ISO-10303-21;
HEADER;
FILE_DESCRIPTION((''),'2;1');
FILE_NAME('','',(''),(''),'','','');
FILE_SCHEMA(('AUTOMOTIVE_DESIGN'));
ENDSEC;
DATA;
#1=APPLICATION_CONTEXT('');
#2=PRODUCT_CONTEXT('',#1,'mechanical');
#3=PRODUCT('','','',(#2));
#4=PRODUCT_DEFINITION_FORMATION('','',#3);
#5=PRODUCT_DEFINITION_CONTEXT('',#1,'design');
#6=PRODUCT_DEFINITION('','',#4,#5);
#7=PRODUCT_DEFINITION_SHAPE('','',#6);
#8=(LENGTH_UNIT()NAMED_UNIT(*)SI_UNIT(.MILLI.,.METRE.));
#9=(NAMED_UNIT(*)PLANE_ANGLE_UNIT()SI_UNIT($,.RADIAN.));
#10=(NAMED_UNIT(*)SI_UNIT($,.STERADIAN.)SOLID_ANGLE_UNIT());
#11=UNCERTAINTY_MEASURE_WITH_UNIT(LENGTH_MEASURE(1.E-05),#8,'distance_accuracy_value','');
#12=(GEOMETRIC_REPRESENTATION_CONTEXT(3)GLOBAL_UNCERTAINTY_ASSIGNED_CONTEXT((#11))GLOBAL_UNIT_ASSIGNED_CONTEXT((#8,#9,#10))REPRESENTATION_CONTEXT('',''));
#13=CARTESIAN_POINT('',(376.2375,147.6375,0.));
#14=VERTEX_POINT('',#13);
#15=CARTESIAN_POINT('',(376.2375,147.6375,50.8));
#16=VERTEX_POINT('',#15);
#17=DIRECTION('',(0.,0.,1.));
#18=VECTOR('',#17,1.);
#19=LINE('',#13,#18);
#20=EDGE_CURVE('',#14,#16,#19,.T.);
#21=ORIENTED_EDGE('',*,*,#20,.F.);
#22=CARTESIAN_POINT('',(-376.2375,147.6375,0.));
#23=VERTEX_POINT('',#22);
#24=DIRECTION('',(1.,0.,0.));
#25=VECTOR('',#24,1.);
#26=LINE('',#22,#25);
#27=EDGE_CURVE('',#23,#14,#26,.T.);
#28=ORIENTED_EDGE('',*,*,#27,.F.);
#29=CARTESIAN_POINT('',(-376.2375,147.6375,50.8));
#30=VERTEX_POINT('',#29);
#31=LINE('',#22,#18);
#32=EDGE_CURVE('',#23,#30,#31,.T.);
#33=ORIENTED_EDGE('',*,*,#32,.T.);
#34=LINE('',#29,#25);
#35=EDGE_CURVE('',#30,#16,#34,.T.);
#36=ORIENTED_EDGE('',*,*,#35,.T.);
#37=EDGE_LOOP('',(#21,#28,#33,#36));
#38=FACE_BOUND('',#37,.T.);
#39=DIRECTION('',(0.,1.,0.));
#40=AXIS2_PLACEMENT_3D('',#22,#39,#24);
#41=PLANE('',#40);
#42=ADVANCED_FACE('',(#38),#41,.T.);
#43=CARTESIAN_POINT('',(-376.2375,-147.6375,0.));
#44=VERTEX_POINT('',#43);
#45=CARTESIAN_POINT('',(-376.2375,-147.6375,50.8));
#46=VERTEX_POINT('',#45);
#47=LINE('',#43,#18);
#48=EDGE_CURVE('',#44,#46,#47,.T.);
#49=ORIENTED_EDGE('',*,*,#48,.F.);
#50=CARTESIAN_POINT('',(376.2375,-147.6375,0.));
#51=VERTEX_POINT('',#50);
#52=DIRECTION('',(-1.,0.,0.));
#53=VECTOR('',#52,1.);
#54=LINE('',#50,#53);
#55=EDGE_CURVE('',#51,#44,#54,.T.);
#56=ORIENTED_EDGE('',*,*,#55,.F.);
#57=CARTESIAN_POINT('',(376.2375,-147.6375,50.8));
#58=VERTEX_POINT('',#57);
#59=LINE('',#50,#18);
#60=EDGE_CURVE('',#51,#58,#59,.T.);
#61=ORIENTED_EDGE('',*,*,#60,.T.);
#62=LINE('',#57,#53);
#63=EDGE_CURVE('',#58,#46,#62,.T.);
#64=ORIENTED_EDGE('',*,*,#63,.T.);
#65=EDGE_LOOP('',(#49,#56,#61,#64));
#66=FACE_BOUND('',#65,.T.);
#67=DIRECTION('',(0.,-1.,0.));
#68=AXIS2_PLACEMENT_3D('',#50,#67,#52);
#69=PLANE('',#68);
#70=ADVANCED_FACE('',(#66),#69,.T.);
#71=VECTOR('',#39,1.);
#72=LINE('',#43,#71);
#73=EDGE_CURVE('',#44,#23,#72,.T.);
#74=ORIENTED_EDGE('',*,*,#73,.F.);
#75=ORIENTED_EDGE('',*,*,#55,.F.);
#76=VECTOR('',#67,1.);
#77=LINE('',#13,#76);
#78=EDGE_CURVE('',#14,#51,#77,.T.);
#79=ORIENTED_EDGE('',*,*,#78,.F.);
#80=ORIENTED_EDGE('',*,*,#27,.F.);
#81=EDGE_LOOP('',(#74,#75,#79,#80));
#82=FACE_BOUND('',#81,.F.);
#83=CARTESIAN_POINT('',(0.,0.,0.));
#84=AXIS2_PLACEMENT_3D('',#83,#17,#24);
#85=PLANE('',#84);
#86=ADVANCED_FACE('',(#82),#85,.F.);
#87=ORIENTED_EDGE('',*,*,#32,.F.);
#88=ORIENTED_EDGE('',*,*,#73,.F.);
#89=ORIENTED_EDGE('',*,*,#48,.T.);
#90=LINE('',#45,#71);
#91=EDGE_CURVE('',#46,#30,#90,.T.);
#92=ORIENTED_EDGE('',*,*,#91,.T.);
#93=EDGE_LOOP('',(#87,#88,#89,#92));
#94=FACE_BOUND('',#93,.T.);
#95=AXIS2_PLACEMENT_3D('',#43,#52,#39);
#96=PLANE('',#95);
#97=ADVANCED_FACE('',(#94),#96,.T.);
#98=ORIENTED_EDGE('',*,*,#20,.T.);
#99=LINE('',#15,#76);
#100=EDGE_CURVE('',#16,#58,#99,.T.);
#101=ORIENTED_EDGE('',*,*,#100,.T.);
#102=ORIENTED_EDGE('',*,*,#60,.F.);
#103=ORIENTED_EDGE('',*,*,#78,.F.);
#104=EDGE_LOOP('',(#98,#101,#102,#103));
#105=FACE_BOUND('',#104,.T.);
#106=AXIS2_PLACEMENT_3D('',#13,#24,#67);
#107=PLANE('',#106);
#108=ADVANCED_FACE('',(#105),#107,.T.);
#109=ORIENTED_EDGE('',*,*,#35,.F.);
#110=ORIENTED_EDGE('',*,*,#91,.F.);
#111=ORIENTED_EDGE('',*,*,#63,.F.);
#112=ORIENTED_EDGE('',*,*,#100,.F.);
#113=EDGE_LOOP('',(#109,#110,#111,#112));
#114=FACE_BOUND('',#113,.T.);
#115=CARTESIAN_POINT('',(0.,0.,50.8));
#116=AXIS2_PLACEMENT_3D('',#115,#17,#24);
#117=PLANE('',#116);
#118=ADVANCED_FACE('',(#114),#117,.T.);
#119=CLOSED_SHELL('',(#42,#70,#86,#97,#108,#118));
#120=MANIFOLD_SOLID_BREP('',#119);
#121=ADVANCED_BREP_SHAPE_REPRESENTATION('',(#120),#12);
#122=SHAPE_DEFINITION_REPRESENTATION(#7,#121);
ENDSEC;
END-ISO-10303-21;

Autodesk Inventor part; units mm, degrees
ref_plane "YZ Plane" through (0, 0, 0) normal (1, 0, 0) x (0, 1, 0)
ref_plane "XZ Plane" through (0, 0, 0) normal (0, 1, 0) x (-1, 0, 0)
ref_plane "XY Plane" through (0, 0, 0) normal (0, 0, 1) x (1, 0, 0)
sketch "Sketch1" plane through (0, 0, 0) normal (0, 0, 1) x (1, 0, 0)
  line L0 (-376.2375, 147.6375) -> (376.2375, 147.6375)
  line L1 (376.2375, 147.6375) -> (376.2375, -147.6375)
  line L2 (376.2375, -147.6375) -> (-376.2375, -147.6375)
  line L3 (-376.2375, -147.6375) -> (-376.2375, 147.6375)
  line L4 (-376.2375, 147.6375) -> (376.2375, -147.6375) construction
  line L5 (376.2375, 147.6375) -> (-376.2375, -147.6375) construction
  point P0 (0, 0)
  dimension "d0" = 752.475
  dimension "d1" = 295.275
extrude "Extrusion1" add sketch "Sketch1" along normal blind 50.8
properties part number "6-3x-29.625x11.625x2 as paver" material "Limestone"
